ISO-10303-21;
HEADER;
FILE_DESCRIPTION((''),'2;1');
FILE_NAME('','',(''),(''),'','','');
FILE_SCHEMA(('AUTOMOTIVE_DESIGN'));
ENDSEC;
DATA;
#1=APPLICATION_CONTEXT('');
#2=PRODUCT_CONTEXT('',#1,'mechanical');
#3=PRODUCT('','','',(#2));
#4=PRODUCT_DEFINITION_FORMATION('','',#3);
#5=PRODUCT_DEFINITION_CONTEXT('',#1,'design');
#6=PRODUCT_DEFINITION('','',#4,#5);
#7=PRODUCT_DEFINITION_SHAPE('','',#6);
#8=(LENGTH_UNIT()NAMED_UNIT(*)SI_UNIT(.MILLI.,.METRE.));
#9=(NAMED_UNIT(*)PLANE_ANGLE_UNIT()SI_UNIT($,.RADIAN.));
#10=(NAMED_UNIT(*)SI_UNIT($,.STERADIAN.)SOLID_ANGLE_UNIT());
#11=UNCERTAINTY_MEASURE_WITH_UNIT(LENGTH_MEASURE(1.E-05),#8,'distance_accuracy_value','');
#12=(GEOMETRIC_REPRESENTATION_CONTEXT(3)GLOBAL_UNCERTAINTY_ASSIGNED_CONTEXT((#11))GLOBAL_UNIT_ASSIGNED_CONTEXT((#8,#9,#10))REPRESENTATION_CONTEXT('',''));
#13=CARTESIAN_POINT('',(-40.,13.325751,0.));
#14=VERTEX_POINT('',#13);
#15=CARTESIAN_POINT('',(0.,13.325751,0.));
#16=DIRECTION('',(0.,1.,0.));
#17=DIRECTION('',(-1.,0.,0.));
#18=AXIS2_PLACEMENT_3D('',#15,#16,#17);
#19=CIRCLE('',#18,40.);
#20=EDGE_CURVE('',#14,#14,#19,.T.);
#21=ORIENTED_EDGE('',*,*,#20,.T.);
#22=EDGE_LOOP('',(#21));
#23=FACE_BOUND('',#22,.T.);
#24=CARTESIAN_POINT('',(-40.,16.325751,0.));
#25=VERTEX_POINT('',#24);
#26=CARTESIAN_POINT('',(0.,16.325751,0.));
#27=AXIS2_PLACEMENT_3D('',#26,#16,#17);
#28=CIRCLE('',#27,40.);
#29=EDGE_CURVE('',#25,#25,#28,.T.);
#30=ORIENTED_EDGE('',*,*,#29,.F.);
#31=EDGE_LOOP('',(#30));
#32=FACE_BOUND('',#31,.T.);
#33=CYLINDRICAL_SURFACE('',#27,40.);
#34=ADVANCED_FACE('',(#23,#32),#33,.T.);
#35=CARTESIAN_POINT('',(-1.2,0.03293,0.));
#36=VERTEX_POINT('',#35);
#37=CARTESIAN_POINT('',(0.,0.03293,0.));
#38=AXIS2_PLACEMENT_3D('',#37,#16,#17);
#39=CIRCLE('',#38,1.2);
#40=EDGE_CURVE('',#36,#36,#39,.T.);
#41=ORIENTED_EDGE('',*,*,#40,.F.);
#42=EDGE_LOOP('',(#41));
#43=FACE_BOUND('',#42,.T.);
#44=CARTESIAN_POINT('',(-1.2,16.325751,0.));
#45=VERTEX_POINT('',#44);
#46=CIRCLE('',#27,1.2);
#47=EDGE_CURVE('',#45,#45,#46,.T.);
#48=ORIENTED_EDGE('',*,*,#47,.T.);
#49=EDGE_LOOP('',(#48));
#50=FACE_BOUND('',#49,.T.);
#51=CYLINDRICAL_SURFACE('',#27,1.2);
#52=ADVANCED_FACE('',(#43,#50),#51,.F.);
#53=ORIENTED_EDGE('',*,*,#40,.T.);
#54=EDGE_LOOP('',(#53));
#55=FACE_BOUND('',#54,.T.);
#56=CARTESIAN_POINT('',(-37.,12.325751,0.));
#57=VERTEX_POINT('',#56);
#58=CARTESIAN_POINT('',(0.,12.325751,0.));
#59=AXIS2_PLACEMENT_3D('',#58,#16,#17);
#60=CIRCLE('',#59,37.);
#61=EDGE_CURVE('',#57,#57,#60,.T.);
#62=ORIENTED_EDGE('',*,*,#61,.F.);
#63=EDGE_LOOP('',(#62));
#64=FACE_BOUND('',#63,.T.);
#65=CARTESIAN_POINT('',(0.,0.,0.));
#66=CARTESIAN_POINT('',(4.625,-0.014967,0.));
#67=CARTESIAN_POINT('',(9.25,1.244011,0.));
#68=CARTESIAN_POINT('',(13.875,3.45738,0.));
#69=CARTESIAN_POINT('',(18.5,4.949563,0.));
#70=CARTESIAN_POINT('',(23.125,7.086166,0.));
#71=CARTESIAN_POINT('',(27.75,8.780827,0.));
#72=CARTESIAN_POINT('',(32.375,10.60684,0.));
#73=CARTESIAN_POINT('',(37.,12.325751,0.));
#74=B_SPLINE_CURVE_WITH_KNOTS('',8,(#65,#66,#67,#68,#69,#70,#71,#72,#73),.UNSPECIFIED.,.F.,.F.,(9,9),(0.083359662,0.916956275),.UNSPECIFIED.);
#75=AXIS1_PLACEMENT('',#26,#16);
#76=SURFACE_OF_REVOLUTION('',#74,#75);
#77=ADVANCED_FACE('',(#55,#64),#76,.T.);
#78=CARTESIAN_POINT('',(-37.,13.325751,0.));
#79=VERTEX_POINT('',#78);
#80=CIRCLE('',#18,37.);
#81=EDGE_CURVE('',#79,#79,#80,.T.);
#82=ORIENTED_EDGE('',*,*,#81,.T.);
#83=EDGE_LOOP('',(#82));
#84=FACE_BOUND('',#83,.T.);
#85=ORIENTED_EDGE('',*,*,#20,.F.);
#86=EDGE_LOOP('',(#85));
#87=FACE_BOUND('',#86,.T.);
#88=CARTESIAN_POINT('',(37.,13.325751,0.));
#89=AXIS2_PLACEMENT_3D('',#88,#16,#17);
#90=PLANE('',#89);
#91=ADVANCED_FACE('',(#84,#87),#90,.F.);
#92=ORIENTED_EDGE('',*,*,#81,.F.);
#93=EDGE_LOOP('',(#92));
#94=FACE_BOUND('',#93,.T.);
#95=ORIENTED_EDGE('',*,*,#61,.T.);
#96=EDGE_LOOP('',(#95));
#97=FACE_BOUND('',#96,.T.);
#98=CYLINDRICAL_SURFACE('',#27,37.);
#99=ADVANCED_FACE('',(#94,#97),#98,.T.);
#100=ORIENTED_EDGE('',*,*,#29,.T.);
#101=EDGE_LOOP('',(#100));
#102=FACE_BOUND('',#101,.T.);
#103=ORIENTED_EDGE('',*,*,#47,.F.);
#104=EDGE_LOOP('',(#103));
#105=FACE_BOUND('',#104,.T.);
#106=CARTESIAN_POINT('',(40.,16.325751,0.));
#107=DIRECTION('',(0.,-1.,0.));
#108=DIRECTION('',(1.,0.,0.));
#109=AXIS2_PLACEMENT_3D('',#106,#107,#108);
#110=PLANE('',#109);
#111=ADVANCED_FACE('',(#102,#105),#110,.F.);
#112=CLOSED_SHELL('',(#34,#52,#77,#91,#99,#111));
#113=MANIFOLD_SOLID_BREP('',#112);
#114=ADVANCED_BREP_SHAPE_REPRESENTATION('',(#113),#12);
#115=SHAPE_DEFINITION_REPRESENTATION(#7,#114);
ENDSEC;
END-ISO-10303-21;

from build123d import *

# Parameters (mm, degrees)
SKETCH5_R          = 1.2
CUT_EXTRUDE1_DEPTH = 59.877274304


with BuildPart() as part:
    # Sketch3 → Revolve4 (revolve)
    with BuildSketch(Plane.XY, mode=Mode.PRIVATE) as revolve4_sk:
        with BuildLine():
            Line((1.2, 16.325750899), (1.2, 11.325750899))
            Line((1.2, 11.325750899), (0, 11.325750899))
            Line((0, 11.325750899), (0, 0))
            add(Edge.make_bspline(
                [(0, 0), (4.624999983, -0.014967436), (9.249999981, 1.24401094), (13.874999988, 3.457379816), (18.499999987, 4.949562998), (23.124999994, 7.086165744), (27.749999995, 8.78082699), (32.374999998, 10.606839572), (37, 12.325750899)],
                knots=[0.083359662, 0.083359662, 0.083359662, 0.083359662, 0.083359662, 0.083359662, 0.083359662, 0.083359662, 0.083359662, 0.916956275, 0.916956275, 0.916956275, 0.916956275, 0.916956275, 0.916956275, 0.916956275, 0.916956275, 0.916956275], degree=8))
            Line((37, 12.325750899), (37, 13.325750899))
            Line((37, 13.325750899), (40, 13.325750899))
            Line((40, 13.325750899), (40, 16.325750899))
            Line((40, 16.325750899), (1.2, 16.325750899))
        make_face()
    revolve(revolve4_sk.sketch.rotate(Axis((0, 16.325750899, 0), (0, -1, 0)), 180), axis=Axis((0, 16.325750899, 0), (0, -1, 0)))

    # Sketch5 → Cut-Extrude1 (cut, through all)
    with BuildSketch(Plane(origin=(0, 16.325750899, 0), x_dir=(1, 0, 0), z_dir=(0, 1, 0))):
        with Locations(Location((0, 0, 0), (0, 0, 180))):
            Circle(SKETCH5_R)
    extrude(amount=-CUT_EXTRUDE1_DEPTH, mode=Mode.SUBTRACT)


solid = part.part
